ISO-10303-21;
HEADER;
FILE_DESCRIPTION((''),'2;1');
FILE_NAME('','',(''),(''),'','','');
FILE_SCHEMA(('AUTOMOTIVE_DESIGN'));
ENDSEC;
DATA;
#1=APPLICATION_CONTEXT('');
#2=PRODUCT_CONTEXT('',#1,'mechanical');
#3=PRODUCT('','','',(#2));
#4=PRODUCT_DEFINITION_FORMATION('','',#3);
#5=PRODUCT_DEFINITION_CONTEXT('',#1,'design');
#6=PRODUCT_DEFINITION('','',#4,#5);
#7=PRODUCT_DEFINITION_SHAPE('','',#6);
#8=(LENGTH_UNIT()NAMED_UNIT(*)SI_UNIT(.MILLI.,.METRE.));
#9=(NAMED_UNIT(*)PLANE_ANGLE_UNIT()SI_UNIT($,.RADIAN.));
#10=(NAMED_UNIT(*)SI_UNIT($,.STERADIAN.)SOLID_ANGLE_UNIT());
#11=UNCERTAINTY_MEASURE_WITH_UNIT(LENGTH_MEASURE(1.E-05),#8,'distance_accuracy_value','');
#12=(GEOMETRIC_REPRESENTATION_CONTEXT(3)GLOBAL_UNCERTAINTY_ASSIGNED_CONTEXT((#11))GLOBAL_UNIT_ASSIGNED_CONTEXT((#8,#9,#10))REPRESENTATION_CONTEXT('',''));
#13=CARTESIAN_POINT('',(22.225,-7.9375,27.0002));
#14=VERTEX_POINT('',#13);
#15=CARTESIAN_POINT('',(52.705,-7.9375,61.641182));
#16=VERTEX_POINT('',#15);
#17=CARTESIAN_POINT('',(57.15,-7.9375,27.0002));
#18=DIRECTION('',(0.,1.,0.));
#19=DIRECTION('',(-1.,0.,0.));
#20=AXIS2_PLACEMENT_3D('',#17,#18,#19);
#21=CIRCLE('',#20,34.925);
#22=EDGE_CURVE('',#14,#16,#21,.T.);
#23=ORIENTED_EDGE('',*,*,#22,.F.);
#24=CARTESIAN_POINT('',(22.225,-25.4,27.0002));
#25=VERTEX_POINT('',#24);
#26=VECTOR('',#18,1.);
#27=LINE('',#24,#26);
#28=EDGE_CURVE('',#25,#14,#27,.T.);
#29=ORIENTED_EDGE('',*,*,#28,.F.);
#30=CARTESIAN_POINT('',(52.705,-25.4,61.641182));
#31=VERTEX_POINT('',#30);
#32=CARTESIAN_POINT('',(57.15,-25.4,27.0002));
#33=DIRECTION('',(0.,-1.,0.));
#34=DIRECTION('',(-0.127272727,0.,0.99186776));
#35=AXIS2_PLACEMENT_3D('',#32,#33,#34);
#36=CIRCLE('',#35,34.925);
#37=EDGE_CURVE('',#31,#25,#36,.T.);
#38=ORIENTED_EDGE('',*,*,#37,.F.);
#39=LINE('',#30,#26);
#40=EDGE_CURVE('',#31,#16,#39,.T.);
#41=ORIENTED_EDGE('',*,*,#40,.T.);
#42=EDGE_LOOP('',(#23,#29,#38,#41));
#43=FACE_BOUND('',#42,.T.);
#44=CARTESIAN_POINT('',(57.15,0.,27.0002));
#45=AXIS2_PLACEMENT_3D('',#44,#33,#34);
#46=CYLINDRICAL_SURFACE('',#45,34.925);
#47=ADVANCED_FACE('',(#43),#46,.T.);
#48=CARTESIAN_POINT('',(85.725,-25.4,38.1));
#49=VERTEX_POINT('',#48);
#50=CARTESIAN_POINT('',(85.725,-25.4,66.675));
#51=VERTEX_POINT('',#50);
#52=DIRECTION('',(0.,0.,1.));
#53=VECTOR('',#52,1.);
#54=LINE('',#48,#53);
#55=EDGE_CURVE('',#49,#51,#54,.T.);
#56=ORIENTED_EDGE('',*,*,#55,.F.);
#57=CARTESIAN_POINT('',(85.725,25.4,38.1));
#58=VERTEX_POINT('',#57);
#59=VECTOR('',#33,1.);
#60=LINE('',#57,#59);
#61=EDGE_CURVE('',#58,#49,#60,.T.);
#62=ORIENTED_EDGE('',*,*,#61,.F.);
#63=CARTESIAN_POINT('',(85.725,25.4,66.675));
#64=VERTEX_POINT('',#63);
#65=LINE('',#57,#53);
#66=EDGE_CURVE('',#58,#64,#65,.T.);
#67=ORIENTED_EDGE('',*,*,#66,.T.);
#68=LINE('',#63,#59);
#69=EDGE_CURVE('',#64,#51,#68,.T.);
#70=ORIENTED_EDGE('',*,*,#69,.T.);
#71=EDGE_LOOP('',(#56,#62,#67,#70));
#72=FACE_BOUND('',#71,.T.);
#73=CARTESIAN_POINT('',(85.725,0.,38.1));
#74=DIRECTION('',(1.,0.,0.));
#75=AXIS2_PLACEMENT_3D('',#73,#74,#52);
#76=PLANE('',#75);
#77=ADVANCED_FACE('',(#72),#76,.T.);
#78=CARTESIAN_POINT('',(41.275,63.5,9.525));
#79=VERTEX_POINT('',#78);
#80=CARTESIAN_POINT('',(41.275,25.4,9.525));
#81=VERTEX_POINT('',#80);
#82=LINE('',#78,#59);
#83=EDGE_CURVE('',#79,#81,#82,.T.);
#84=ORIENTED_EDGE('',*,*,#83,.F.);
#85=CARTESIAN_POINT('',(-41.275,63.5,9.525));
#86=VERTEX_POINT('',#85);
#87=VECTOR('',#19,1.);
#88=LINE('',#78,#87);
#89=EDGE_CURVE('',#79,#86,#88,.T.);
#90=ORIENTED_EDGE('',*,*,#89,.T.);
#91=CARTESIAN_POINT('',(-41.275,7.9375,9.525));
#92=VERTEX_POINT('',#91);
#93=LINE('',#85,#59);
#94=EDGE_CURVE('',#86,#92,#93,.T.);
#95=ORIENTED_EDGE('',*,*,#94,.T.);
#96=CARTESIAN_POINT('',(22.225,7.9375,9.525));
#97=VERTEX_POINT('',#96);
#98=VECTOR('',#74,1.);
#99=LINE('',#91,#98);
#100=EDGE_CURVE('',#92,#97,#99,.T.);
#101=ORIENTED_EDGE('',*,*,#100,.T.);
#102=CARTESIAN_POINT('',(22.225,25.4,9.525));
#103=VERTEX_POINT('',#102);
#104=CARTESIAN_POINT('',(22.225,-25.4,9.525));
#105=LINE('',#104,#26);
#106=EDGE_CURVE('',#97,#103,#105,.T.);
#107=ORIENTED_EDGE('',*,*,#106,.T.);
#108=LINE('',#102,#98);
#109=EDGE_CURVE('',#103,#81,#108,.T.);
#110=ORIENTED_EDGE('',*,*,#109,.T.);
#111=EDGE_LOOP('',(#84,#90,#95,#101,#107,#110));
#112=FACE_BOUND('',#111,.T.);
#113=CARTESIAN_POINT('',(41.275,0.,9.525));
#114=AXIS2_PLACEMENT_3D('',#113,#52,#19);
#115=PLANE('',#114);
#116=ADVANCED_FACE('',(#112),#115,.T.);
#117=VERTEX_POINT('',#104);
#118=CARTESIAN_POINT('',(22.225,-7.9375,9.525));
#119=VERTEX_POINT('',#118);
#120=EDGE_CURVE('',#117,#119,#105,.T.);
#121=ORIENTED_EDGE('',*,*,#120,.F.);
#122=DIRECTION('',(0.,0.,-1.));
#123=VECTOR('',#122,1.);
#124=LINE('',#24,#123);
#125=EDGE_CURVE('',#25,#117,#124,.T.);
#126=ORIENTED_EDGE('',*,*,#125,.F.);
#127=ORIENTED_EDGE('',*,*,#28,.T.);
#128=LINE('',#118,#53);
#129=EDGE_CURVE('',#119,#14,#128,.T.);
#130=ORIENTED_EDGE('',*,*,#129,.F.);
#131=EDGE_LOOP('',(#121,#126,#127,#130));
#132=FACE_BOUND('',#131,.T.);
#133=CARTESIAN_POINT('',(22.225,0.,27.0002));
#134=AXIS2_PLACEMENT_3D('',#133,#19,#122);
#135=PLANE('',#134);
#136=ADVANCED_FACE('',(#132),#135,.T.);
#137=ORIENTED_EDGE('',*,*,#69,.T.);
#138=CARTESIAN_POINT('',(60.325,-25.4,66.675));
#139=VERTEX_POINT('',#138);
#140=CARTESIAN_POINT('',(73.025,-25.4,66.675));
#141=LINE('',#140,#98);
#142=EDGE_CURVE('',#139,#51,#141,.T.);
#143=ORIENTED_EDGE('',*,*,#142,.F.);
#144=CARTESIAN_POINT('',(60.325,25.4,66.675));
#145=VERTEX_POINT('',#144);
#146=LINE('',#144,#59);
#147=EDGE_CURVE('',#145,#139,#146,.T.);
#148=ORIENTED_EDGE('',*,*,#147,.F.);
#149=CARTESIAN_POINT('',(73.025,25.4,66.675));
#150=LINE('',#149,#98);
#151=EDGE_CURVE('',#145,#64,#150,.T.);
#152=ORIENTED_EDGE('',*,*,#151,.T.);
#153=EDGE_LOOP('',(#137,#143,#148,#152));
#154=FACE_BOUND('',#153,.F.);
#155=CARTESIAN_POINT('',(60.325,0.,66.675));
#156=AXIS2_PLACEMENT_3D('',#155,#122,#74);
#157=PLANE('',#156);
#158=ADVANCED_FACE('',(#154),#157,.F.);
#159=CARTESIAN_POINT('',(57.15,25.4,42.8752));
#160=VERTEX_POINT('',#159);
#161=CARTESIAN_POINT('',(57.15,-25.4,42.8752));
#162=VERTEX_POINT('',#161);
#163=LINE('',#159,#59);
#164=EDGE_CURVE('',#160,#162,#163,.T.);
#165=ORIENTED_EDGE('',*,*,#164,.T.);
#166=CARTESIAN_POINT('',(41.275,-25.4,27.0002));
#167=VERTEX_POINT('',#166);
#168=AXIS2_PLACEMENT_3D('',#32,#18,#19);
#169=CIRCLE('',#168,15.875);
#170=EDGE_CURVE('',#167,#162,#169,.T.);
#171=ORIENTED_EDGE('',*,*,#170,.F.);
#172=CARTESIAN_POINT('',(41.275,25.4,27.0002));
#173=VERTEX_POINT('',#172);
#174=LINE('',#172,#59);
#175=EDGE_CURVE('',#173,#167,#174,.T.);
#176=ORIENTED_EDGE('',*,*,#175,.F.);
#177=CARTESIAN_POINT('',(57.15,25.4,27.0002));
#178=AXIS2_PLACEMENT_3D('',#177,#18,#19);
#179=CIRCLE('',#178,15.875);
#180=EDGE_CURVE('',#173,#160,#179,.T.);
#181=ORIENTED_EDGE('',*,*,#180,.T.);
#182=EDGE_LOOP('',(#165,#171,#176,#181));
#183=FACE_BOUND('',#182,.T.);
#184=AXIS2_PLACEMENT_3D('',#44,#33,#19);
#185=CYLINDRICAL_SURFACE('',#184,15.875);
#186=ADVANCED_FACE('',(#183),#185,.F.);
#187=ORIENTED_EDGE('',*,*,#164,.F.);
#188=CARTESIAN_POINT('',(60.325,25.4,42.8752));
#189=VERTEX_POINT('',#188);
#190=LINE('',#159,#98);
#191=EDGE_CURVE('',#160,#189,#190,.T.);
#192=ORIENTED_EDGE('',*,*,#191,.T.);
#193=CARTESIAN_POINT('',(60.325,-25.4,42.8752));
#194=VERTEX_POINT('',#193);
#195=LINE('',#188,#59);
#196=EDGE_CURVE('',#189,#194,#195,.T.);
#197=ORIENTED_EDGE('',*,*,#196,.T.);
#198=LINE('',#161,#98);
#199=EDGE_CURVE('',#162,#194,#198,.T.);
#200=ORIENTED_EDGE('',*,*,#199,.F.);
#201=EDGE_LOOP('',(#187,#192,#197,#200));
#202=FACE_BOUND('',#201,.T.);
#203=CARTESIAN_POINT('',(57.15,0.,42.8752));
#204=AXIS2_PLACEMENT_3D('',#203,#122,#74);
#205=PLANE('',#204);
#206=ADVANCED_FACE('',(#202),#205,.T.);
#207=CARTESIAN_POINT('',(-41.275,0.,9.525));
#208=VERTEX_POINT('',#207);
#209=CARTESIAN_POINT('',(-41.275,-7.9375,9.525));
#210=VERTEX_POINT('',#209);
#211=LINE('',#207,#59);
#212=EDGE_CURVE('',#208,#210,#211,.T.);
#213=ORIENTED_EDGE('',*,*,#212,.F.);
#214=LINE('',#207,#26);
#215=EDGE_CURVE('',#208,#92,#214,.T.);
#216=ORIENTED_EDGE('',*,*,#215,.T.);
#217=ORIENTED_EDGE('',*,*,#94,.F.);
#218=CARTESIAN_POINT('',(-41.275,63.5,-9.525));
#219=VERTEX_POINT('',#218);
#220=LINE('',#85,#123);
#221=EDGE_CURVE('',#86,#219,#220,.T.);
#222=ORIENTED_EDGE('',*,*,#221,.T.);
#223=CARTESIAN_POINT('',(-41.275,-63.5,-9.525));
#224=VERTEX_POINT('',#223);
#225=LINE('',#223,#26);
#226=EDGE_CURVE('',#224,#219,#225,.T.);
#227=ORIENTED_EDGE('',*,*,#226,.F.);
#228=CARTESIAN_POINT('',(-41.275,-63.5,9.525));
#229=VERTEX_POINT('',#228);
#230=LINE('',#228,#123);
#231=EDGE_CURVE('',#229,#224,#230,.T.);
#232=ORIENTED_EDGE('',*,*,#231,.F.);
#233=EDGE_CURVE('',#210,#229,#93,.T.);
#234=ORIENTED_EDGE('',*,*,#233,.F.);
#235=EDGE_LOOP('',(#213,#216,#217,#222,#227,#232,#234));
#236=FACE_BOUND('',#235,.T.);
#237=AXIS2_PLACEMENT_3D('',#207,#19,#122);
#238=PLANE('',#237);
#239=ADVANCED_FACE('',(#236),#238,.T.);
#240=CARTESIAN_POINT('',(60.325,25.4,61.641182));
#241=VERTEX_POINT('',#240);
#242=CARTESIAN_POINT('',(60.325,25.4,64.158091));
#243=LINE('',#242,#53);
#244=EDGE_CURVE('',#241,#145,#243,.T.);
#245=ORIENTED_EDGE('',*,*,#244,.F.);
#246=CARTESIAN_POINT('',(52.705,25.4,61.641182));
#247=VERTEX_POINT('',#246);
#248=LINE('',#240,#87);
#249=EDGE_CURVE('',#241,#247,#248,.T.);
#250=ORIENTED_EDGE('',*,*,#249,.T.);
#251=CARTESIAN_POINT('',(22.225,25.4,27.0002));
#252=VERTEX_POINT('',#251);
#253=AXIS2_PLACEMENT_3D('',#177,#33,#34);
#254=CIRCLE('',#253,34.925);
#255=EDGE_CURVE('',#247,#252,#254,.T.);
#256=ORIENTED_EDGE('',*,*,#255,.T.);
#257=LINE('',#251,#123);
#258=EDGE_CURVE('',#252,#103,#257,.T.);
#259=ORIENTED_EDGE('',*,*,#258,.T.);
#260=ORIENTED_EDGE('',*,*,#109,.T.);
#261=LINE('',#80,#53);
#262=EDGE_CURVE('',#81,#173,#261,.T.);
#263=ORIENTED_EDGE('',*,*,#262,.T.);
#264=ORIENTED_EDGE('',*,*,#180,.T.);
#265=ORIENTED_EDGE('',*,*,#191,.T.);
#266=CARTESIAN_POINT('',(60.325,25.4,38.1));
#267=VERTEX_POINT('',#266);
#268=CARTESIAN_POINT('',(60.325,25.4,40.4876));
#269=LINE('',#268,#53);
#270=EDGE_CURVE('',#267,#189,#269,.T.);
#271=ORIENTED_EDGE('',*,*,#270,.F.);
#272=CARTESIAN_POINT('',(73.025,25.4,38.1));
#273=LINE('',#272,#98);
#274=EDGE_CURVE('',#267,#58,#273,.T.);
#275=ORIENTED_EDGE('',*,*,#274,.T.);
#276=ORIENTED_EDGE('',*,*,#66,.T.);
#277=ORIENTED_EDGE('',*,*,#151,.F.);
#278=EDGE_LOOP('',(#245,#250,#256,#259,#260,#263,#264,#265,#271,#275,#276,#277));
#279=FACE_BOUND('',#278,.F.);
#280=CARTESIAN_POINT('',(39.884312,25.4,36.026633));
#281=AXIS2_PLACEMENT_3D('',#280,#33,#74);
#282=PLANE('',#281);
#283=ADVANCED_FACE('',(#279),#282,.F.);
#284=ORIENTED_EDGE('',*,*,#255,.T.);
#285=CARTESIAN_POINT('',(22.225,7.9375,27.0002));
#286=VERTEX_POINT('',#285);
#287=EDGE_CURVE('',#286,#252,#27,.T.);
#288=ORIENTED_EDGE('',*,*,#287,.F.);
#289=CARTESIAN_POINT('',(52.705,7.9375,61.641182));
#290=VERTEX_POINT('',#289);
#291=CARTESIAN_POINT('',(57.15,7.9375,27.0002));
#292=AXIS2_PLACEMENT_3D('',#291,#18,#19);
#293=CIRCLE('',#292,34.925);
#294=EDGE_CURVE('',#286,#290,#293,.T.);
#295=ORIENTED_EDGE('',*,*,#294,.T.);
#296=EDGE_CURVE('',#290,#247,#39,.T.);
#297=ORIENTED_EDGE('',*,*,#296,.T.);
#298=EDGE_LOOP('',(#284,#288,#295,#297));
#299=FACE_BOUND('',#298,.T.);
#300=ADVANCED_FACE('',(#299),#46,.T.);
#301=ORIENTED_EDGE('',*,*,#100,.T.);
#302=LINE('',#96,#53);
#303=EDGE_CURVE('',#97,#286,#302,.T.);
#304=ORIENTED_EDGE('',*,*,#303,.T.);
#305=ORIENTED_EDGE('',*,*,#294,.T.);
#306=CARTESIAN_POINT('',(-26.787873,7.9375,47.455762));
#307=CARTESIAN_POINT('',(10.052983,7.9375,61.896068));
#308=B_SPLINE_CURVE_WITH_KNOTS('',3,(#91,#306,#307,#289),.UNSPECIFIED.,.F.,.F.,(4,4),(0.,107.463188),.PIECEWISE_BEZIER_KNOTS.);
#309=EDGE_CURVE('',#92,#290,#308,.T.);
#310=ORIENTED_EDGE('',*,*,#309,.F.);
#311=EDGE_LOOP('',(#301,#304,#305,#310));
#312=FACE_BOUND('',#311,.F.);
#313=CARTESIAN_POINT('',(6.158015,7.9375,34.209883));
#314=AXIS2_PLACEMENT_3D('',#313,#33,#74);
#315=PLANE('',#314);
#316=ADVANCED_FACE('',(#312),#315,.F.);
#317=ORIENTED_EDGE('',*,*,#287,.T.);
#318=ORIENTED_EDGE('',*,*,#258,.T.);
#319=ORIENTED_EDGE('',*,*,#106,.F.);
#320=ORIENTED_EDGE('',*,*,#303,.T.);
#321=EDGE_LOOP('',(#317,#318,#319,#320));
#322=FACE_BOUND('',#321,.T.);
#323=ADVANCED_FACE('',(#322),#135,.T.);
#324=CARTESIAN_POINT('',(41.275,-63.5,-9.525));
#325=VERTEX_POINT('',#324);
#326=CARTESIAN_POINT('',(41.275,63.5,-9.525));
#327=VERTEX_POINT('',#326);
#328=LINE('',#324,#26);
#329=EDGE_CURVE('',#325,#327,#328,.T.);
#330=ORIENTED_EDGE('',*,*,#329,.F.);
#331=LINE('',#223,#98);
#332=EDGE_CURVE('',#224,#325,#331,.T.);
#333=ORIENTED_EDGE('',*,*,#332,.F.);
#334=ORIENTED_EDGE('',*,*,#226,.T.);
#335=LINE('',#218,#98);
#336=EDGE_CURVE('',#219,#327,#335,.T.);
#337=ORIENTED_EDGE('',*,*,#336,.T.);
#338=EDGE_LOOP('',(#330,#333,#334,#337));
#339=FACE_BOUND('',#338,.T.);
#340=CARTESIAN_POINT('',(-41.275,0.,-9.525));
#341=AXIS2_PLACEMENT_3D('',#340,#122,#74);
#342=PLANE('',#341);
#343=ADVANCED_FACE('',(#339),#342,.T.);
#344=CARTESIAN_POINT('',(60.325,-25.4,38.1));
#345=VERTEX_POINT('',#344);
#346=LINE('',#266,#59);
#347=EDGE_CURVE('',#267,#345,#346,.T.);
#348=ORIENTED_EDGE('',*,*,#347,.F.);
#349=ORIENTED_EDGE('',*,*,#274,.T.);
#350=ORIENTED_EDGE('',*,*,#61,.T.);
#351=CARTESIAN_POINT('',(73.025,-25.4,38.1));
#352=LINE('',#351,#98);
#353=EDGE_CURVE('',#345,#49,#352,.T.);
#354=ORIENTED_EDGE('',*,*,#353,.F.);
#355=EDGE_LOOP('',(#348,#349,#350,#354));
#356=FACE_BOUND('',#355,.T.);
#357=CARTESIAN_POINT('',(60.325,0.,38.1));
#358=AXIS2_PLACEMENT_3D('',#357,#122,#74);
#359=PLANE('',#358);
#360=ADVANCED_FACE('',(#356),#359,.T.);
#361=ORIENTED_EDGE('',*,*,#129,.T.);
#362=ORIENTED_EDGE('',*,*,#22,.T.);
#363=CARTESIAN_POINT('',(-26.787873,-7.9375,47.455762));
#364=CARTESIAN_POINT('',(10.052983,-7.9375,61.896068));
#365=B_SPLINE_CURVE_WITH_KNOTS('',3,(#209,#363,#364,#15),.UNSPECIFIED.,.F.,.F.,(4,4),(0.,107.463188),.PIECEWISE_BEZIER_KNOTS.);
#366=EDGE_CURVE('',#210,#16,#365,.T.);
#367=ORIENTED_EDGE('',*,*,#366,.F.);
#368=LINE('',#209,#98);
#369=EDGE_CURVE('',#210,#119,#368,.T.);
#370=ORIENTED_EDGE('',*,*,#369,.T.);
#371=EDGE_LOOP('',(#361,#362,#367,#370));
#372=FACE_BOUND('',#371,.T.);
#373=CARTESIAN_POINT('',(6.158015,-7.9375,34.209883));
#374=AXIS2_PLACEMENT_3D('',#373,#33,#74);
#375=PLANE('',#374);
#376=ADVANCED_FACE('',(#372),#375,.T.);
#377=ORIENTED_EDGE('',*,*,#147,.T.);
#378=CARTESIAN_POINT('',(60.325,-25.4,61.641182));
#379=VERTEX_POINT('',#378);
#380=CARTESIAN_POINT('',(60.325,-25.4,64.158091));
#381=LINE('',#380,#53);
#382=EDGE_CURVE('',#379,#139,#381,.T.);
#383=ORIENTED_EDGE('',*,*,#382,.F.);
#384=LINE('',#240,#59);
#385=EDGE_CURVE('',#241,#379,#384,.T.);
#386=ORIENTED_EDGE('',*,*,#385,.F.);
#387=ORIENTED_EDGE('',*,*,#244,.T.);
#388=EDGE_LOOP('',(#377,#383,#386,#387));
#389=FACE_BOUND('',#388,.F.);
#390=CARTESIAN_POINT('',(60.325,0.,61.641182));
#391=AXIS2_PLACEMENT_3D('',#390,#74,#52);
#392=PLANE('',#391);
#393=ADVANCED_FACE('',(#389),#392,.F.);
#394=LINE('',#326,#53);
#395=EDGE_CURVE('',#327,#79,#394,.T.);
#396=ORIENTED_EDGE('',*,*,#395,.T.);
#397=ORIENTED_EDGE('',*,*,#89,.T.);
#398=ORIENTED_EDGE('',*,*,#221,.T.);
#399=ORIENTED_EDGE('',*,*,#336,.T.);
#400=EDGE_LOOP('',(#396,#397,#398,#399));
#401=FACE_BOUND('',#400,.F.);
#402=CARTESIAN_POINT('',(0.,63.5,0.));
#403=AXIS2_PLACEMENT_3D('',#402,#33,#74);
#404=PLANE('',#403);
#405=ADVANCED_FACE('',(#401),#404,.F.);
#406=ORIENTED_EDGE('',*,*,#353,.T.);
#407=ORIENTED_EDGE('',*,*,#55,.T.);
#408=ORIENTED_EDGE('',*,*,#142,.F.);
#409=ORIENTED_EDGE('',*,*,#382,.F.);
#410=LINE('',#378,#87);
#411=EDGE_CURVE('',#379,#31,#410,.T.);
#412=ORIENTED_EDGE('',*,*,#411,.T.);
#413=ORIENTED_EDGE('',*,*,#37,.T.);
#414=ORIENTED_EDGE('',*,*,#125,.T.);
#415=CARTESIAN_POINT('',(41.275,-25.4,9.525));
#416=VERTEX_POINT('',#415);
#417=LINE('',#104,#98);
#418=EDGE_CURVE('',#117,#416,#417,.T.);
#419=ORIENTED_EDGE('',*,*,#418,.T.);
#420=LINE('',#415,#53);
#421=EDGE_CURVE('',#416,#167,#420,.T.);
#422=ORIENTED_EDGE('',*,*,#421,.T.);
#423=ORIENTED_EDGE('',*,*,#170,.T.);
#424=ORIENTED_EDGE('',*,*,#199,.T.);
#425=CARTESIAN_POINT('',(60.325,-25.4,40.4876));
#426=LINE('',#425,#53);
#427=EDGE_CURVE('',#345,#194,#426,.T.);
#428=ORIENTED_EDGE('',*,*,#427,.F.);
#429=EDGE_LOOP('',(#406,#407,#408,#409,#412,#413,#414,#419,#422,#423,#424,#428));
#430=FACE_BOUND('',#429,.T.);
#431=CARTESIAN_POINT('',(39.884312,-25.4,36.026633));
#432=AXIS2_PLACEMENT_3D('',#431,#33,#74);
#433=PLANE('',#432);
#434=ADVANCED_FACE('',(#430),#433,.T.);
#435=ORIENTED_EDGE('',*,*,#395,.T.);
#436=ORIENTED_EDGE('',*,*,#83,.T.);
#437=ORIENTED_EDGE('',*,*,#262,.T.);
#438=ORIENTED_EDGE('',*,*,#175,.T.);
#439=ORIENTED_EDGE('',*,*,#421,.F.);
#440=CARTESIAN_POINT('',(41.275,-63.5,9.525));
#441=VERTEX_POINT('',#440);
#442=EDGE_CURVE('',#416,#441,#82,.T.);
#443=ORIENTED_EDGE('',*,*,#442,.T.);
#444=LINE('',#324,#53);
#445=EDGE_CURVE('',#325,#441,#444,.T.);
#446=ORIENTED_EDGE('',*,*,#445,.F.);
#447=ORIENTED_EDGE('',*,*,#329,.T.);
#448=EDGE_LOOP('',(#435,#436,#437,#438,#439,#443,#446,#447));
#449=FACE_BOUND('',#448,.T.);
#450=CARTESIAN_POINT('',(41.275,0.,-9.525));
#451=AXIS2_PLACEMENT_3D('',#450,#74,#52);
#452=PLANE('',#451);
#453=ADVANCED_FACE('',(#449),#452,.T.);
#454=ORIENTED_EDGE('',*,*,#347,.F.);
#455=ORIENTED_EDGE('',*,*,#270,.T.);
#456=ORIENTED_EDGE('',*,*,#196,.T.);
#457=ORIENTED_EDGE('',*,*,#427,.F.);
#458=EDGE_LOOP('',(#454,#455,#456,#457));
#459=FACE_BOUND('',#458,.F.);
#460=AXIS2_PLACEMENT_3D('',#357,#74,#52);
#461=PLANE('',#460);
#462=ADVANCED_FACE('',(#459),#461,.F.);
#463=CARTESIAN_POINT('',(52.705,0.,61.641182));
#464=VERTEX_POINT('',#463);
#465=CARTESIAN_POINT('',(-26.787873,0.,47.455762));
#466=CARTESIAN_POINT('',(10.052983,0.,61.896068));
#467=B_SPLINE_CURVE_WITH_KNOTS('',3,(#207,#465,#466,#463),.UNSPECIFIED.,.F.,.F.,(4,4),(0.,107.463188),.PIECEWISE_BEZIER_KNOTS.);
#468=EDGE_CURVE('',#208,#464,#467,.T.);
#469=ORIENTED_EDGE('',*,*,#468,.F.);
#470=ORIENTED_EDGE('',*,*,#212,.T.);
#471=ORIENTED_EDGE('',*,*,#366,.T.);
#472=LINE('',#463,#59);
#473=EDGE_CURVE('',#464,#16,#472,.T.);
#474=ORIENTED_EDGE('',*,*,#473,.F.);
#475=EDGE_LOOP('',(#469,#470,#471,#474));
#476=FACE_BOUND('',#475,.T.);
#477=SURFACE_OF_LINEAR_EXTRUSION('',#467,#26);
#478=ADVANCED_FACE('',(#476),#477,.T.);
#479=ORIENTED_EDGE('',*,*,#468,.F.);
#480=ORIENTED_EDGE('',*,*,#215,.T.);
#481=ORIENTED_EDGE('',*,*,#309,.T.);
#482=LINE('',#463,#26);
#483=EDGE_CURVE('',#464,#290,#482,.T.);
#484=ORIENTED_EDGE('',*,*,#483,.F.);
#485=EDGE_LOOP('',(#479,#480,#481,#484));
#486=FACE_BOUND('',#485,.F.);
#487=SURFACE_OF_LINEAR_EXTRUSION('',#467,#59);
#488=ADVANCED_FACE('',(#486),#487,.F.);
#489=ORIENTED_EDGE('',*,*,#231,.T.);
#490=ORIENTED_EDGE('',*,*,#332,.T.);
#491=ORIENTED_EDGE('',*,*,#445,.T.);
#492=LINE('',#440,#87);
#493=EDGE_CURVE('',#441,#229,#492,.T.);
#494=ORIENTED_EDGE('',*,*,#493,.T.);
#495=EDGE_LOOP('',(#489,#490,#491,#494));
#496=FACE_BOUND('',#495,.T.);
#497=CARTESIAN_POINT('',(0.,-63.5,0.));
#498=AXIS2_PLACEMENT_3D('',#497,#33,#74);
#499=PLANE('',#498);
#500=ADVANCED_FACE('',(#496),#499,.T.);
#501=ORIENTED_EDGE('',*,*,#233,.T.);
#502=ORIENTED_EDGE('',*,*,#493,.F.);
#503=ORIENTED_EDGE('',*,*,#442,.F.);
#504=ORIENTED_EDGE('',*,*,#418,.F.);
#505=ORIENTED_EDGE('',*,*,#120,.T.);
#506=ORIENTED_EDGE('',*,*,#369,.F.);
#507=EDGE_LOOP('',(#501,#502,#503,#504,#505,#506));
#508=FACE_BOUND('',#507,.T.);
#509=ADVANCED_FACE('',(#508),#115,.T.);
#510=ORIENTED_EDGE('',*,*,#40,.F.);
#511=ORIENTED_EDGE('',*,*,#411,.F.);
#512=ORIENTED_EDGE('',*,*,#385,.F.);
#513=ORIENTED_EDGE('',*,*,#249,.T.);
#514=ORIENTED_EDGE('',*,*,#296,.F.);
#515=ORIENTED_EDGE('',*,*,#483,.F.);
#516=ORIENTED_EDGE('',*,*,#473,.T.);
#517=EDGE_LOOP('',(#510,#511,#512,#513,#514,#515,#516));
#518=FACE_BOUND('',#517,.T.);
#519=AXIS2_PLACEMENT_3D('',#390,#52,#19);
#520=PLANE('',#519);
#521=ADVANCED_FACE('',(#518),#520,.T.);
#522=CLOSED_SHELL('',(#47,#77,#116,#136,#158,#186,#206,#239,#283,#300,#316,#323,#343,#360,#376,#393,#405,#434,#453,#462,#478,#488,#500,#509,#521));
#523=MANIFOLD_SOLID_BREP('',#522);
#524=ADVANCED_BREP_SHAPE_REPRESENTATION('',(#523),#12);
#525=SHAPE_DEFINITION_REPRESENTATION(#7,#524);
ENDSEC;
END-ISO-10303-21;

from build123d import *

# Parameters (mm, degrees)
F1_DEPTH = 63.5
F0_W     = 25.4
F0_H     = 4.7752
F0_H_2   = 18.7659815103
F0_H_3   = 5.0338184897
F2_DEPTH = 25.4
F3_DEPTH = 7.9375


with BuildPart() as f1:
    # F0 (on Front) → F1 (new body, symmetric)
    with BuildSketch(Plane.XZ):
        Polygon((41.275, -9.525), (41.275, 9.525), (22.225, 9.525), (-41.275, 9.525), (-41.275, -9.525), align=None)
    extrude(amount=F1_DEPTH, both=True)

    # F0 (on Front) → F2 (join, symmetric)
    with BuildSketch(Plane.XZ):
        with BuildLine():
            Line((22.225, 9.525), (41.275, 9.525))
            Line((41.275, 9.525), (41.275, 27.0002))
            ThreePointArc((41.275, 27.0002), (45.9246798487, 38.2255201513), (57.15, 42.8752))
            Line((57.15, 42.8752), (60.325, 42.8752))
            Line((60.325, 42.8752), (60.325, 61.6411815103))
            Line((60.325, 61.6411815103), (52.705, 61.6411815103))
            ThreePointArc((52.705, 61.6411815103), (30.929805016, 50.0708956982), (22.225, 27.0002))
            Line((22.225, 27.0002), (22.225, 9.525))
        make_face()
        with Locations((73.025, 40.4876)):
            Rectangle(F0_W, F0_H)
        with Locations((73.025, 52.2581907552)):
            Rectangle(F0_W, F0_H_2)
        with Locations((73.025, 64.1580907552)):
            Rectangle(F0_W, F0_H_3)
    extrude(amount=F2_DEPTH, both=True)

    # F0 (on Front) → F3 (join, symmetric)
    with BuildSketch(Plane.XZ):
        with BuildLine():
            Line((-41.275, 9.525), (22.225, 9.525))
            Line((22.225, 9.525), (22.225, 27.0002))
            ThreePointArc((22.225, 27.0002), (30.929805016, 50.0708956982), (52.705, 61.6411815103))
            add(Edge.make_bspline(
                [(-41.275, 9.525), (-26.7878733575, 47.4557615817), (10.0529832694, 61.8960684807), (52.705, 61.6411815103)],
                knots=[0, 0, 0, 0, 107.4631880004, 107.4631880004, 107.4631880004, 107.4631880004], degree=3))
        make_face()
    extrude(amount=F3_DEPTH, both=True)


solid = f1.part
